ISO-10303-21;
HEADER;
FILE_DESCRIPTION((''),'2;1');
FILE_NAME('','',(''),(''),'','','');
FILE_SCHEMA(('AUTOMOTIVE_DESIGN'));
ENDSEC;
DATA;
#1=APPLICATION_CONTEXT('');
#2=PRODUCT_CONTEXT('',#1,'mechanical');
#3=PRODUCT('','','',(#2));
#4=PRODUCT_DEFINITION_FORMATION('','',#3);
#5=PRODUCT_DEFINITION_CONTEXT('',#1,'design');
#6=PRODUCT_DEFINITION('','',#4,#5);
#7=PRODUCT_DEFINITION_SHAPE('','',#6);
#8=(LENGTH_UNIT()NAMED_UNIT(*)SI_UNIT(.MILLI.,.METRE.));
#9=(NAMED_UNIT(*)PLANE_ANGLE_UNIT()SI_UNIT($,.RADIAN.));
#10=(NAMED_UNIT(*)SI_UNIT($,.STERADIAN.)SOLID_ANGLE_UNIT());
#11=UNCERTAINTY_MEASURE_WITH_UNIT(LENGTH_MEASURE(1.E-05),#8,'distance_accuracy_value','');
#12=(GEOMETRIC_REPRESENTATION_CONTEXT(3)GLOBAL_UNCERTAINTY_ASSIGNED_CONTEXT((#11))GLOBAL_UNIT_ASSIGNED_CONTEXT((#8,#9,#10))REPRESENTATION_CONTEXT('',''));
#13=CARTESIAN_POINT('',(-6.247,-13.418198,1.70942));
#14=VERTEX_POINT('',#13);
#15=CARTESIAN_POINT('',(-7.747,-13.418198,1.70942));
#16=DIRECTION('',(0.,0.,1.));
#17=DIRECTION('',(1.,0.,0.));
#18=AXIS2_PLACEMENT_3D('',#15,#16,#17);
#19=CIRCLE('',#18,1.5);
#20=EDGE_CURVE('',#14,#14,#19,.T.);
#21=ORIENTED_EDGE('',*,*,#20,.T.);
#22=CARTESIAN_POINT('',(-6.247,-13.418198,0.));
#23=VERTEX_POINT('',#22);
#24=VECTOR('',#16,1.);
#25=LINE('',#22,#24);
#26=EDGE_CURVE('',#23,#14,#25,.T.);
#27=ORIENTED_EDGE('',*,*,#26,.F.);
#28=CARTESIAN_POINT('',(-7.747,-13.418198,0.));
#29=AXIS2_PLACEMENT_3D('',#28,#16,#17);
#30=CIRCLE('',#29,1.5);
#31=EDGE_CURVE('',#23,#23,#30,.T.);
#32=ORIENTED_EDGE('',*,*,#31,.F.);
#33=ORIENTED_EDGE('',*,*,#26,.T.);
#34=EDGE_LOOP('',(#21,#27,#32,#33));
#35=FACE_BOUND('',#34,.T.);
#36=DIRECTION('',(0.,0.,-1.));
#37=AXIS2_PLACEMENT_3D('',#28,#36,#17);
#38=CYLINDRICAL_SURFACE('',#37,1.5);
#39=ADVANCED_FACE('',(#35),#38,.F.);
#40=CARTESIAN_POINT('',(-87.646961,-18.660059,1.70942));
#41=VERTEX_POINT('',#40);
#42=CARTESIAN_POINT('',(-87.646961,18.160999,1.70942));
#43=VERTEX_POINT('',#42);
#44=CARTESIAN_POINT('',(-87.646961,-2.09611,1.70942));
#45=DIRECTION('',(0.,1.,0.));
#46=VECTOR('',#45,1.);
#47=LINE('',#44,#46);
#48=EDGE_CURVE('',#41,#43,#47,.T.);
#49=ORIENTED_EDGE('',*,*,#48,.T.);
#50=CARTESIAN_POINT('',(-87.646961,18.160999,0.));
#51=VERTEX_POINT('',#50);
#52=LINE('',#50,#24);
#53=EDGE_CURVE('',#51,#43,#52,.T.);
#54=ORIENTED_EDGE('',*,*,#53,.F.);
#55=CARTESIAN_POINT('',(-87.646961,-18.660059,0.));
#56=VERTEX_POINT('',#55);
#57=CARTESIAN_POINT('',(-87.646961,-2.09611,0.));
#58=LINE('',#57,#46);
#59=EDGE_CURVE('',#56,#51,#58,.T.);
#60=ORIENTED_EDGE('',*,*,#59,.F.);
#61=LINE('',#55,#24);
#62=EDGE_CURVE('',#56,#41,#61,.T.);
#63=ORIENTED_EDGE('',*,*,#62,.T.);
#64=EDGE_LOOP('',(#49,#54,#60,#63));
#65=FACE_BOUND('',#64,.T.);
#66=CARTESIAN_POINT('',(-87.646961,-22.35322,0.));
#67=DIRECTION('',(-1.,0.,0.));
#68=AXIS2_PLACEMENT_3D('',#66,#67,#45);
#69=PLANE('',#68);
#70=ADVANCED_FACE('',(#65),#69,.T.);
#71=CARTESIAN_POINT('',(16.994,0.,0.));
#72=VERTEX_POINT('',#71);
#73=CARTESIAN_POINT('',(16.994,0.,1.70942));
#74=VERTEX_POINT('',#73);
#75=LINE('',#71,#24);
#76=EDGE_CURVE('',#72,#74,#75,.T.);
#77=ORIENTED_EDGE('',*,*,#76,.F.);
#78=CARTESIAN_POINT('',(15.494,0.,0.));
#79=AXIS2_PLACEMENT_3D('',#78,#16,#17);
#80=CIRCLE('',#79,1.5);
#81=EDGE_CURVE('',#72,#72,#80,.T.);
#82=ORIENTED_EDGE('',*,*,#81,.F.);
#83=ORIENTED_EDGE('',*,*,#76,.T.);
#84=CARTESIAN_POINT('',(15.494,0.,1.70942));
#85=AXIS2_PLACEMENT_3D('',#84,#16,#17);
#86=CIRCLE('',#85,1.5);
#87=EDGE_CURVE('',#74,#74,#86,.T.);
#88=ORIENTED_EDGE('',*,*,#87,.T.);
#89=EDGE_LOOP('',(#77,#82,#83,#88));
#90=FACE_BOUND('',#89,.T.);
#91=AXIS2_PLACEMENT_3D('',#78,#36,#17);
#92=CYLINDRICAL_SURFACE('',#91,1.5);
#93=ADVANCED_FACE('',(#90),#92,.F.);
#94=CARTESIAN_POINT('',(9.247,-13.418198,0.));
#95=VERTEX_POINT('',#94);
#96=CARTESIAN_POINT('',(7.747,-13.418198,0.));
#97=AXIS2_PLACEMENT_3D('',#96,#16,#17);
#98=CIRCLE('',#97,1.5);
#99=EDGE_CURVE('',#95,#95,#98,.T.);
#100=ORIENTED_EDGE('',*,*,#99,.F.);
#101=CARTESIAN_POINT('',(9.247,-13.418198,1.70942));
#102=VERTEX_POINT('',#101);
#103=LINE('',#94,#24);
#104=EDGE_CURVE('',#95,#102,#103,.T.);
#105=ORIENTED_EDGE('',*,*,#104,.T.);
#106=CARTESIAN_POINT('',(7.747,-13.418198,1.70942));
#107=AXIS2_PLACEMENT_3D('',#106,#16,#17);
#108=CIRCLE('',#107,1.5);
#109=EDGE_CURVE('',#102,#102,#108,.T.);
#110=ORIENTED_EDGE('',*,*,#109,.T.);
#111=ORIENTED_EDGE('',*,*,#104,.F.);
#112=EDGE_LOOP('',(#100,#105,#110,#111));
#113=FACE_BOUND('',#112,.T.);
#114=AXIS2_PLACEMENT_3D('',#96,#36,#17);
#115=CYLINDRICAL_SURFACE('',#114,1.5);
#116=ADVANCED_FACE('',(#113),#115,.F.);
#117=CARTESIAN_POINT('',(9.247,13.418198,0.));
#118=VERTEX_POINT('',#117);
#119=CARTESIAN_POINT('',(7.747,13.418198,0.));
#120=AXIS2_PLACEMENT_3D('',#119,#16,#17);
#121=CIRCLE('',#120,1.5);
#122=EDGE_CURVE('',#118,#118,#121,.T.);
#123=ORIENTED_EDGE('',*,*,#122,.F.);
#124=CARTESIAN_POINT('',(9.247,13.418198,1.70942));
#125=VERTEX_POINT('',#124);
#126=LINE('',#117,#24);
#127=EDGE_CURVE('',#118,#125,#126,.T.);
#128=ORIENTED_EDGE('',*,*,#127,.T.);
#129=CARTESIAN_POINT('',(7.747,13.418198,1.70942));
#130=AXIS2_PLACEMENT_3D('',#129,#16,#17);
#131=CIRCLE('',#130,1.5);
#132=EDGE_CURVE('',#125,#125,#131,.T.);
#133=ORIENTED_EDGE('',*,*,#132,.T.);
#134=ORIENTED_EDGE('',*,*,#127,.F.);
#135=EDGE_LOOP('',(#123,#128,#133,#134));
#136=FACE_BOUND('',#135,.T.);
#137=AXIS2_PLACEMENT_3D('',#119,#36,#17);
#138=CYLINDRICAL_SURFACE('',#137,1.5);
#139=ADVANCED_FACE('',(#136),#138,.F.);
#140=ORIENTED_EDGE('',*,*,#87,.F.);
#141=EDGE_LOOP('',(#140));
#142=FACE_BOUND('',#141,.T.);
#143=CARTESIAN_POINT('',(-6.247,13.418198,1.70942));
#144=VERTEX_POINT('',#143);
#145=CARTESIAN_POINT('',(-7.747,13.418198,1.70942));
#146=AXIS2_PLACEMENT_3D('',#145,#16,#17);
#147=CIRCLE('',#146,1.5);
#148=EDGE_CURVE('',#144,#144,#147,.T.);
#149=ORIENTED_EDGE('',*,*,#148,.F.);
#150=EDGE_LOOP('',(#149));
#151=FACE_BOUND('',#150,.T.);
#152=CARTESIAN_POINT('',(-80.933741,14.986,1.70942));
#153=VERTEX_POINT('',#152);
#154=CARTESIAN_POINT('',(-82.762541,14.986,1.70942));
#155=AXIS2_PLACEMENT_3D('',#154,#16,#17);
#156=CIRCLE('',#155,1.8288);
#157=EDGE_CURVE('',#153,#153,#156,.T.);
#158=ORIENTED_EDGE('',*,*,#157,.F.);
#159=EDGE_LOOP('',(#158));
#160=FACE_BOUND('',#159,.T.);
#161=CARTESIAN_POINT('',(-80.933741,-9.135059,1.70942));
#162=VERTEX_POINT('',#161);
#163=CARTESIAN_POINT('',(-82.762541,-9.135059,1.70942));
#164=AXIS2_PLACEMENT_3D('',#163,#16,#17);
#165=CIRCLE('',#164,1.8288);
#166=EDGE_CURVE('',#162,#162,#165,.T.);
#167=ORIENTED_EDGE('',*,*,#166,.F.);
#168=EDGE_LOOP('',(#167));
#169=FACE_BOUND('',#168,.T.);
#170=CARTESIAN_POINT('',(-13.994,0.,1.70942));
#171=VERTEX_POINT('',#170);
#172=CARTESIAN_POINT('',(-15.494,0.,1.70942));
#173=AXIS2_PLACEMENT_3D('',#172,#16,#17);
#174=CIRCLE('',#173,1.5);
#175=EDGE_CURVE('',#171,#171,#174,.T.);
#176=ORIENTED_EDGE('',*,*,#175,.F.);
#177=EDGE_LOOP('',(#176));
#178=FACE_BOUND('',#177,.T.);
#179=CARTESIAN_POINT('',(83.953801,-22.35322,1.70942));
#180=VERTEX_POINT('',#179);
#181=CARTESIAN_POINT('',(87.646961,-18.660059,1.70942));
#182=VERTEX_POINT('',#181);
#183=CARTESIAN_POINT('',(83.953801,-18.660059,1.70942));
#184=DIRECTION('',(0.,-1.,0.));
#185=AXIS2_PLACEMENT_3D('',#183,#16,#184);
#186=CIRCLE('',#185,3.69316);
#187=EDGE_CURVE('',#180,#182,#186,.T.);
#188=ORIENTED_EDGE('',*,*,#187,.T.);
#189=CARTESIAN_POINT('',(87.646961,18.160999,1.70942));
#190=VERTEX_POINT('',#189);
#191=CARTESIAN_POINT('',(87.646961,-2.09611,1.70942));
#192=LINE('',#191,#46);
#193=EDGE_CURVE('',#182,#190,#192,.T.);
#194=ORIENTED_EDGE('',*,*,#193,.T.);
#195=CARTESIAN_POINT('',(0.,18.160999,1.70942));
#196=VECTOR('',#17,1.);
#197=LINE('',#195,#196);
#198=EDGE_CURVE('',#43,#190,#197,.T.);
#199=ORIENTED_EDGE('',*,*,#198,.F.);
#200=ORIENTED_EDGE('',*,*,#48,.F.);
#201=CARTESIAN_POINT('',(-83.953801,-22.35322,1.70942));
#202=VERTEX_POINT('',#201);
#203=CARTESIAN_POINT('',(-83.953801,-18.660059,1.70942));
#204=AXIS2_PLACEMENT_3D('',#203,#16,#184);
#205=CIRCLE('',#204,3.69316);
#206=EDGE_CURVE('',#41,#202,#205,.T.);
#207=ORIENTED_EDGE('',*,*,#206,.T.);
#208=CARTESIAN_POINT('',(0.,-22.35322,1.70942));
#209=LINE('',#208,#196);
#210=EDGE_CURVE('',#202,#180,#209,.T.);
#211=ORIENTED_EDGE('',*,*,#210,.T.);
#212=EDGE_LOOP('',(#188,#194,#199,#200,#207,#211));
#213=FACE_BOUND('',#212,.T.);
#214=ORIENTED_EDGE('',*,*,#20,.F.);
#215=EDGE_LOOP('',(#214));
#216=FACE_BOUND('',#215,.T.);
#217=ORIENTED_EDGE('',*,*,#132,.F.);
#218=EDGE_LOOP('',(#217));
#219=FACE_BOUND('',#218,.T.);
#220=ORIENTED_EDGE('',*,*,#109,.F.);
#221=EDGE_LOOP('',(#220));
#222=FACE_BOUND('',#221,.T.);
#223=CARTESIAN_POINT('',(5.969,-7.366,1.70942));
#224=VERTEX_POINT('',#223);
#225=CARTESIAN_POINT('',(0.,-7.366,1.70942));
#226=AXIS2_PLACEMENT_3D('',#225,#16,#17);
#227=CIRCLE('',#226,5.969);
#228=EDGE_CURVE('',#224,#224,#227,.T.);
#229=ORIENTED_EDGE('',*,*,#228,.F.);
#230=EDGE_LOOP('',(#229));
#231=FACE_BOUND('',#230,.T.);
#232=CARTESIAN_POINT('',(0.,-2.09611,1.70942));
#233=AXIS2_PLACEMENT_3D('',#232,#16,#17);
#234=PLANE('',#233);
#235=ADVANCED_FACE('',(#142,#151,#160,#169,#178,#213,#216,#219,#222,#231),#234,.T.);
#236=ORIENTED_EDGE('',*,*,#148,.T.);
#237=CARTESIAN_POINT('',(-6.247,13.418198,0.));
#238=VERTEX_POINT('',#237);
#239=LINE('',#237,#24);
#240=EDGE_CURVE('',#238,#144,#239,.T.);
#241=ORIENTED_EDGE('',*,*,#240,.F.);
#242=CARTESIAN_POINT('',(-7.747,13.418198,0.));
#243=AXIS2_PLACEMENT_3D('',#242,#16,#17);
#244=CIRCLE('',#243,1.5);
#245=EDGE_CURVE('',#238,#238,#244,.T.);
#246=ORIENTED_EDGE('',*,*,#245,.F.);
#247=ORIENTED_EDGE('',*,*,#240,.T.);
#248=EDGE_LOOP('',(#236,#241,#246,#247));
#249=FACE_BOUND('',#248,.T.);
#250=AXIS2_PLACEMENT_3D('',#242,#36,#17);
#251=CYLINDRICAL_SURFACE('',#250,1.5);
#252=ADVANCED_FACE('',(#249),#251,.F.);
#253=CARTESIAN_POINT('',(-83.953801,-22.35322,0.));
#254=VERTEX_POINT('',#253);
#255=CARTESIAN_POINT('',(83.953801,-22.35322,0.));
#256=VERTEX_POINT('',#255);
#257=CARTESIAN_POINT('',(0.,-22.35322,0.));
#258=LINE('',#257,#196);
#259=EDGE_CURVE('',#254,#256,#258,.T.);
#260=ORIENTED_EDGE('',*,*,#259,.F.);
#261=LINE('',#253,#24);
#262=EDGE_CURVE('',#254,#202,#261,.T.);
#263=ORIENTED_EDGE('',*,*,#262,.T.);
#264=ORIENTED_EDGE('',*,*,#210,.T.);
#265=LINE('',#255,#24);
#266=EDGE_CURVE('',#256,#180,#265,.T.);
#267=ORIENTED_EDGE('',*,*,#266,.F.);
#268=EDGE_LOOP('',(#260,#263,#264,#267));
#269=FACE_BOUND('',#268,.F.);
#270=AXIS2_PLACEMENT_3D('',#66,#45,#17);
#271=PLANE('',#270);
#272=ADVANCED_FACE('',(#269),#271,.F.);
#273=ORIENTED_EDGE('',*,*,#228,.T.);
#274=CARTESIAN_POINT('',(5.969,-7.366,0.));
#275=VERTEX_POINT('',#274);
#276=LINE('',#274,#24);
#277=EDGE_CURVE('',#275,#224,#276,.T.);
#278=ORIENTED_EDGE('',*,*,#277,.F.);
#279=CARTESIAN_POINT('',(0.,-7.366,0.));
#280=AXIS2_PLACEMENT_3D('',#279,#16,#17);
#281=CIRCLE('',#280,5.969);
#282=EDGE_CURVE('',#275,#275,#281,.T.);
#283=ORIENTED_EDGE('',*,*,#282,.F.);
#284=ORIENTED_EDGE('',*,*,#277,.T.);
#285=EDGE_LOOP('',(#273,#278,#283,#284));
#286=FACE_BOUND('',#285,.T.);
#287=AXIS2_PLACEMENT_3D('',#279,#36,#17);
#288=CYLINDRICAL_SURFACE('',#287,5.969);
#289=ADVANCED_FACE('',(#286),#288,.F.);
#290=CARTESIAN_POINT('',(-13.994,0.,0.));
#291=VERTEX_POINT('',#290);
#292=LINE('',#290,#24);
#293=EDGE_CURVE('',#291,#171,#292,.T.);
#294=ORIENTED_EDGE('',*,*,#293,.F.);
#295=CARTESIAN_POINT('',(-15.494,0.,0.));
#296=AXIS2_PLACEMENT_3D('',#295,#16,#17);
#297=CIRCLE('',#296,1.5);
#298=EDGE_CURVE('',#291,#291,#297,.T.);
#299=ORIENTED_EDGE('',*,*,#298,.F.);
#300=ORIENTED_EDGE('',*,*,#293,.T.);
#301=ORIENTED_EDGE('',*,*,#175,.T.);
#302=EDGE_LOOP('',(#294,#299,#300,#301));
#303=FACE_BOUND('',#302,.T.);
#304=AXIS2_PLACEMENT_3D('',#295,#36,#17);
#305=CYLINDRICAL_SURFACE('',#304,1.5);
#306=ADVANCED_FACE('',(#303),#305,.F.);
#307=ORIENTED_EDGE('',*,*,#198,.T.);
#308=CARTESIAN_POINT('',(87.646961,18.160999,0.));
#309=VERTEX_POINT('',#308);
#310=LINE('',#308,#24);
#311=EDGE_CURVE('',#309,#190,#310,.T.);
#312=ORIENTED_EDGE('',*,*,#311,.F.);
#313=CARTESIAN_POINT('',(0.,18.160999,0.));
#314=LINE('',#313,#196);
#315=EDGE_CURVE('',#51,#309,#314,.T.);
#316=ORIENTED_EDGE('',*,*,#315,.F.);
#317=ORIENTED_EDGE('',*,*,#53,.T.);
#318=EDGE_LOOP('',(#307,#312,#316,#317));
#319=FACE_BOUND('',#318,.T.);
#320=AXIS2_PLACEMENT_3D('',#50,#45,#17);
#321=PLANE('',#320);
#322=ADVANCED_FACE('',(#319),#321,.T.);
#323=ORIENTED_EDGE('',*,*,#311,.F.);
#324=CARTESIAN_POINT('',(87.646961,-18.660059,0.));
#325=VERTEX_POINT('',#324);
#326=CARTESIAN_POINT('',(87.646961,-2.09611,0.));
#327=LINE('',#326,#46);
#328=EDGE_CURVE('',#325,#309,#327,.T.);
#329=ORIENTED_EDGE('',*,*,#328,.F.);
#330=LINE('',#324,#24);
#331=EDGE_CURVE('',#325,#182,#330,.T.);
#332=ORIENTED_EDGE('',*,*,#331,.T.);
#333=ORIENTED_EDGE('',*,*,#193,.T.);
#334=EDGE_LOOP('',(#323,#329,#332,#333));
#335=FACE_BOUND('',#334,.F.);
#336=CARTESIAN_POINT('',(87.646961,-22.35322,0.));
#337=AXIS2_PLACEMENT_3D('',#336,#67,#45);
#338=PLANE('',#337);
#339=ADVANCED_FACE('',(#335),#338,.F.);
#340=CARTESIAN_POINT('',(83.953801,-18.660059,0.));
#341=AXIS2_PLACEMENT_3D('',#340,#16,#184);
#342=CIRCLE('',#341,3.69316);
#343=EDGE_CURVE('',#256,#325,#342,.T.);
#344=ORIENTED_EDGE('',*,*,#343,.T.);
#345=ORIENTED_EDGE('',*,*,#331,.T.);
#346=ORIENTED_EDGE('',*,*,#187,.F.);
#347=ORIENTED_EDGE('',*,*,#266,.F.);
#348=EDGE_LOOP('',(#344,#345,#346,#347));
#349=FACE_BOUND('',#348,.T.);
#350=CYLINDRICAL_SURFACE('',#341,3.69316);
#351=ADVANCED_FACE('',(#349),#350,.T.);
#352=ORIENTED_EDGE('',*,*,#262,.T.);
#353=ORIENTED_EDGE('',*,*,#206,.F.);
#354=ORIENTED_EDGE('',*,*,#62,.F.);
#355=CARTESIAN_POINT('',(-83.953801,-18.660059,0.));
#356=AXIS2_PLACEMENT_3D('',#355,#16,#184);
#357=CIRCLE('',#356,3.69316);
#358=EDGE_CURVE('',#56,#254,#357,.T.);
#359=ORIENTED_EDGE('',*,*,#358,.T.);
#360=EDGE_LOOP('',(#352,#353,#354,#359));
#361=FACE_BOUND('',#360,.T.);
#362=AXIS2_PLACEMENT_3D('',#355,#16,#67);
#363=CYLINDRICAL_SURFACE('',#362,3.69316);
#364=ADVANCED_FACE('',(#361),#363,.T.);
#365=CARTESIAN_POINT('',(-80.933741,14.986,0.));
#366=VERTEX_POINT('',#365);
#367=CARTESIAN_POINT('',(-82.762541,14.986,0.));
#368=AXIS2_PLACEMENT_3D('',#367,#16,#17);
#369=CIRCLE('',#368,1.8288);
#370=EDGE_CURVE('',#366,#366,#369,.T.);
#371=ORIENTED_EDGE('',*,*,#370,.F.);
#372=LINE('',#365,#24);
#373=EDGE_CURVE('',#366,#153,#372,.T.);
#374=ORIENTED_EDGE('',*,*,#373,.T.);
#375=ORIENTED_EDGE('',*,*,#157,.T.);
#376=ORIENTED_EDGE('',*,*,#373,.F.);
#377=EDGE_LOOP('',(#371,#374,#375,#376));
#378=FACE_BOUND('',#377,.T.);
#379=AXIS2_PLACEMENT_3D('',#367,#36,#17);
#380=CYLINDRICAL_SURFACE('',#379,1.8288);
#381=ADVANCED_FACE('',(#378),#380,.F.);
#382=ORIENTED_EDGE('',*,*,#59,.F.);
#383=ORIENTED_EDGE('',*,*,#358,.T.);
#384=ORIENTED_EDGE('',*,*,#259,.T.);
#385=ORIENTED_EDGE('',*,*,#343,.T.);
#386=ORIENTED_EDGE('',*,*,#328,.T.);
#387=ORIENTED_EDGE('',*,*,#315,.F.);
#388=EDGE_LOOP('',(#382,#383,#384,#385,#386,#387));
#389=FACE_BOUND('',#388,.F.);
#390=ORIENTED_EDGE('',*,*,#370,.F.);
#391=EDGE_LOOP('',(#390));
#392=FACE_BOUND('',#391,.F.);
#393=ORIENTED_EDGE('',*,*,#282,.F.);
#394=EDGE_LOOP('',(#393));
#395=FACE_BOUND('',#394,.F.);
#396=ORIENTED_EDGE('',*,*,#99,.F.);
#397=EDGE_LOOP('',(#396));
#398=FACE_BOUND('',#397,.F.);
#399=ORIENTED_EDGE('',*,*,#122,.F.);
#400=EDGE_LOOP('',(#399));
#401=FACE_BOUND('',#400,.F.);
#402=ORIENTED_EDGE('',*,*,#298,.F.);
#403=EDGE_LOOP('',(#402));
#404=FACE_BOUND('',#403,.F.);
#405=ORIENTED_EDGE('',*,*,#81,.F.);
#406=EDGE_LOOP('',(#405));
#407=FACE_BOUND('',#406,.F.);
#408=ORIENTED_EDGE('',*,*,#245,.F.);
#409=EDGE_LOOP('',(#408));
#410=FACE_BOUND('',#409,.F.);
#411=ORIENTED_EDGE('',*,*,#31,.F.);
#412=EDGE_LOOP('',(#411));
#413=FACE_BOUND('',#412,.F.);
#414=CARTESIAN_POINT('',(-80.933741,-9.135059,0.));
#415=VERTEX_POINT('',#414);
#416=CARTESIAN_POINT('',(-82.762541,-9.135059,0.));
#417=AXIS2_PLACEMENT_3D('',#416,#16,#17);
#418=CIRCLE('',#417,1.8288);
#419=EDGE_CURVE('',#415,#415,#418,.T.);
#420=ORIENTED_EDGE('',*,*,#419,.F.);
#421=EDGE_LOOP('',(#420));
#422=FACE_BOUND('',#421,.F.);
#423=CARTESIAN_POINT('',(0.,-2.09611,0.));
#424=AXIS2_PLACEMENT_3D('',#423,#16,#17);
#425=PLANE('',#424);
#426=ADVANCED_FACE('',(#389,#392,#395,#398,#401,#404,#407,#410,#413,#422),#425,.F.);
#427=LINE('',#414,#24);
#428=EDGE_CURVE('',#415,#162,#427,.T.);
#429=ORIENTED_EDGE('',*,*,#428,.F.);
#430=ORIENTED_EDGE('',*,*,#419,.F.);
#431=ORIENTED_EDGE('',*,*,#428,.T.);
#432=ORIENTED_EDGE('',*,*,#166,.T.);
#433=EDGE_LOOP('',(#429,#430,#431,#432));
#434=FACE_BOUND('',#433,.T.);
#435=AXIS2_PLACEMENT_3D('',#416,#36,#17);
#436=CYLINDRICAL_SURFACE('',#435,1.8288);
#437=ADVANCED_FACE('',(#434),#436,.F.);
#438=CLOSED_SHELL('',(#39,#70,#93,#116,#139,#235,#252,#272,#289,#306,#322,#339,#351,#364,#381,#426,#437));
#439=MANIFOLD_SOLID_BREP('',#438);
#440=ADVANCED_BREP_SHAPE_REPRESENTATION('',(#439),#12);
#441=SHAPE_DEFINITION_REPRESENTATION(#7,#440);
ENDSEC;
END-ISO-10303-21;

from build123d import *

# Parameters (mm, degrees)
F0_W     = 175.293922
F0_H     = 40.514219
F0_R     = 1.5
F0_R_2   = 1.8288
F0_R_3   = 5.969
F1_DEPTH = 1.70942
F2_R     = 3.69316


with BuildPart() as f1:
    # F0 (on Top) → F1 (new body)
    with BuildSketch(Plane.XY):
        with Locations((0, -2.09611)):
            Rectangle(F0_W, F0_H)
        with Locations((-7.747, -13.418198)):
            Circle(F0_R, mode=Mode.SUBTRACT)
        with Locations((-82.762541, -9.135059)):
            Circle(F0_R_2, mode=Mode.SUBTRACT)
        with Locations((7.747, -13.418198)):
            Circle(F0_R, mode=Mode.SUBTRACT)
        with Locations((0, -7.366)):
            Circle(F0_R_3, mode=Mode.SUBTRACT)
        with Locations((-15.494, 0)):
            Circle(F0_R, mode=Mode.SUBTRACT)
        with Locations((-82.762541, 14.986)):
            Circle(F0_R_2, mode=Mode.SUBTRACT)
        with Locations((-7.747, 13.418198)):
            Circle(F0_R, mode=Mode.SUBTRACT)
        with Locations((15.494, 0)):
            Circle(F0_R, mode=Mode.SUBTRACT)
        with Locations((7.747, 13.418198)):
            Circle(F0_R, mode=Mode.SUBTRACT)
    extrude(amount=F1_DEPTH)

    # F2
    f2_edges = [f1.edges().sort_by_distance(p)[0] for p in [
        (-87.646961, -22.353219, 0.85471),
        (87.646961, -22.353219, 0.85471),
    ]]
    fillet(f2_edges, radius=F2_R)


solid = f1.part
